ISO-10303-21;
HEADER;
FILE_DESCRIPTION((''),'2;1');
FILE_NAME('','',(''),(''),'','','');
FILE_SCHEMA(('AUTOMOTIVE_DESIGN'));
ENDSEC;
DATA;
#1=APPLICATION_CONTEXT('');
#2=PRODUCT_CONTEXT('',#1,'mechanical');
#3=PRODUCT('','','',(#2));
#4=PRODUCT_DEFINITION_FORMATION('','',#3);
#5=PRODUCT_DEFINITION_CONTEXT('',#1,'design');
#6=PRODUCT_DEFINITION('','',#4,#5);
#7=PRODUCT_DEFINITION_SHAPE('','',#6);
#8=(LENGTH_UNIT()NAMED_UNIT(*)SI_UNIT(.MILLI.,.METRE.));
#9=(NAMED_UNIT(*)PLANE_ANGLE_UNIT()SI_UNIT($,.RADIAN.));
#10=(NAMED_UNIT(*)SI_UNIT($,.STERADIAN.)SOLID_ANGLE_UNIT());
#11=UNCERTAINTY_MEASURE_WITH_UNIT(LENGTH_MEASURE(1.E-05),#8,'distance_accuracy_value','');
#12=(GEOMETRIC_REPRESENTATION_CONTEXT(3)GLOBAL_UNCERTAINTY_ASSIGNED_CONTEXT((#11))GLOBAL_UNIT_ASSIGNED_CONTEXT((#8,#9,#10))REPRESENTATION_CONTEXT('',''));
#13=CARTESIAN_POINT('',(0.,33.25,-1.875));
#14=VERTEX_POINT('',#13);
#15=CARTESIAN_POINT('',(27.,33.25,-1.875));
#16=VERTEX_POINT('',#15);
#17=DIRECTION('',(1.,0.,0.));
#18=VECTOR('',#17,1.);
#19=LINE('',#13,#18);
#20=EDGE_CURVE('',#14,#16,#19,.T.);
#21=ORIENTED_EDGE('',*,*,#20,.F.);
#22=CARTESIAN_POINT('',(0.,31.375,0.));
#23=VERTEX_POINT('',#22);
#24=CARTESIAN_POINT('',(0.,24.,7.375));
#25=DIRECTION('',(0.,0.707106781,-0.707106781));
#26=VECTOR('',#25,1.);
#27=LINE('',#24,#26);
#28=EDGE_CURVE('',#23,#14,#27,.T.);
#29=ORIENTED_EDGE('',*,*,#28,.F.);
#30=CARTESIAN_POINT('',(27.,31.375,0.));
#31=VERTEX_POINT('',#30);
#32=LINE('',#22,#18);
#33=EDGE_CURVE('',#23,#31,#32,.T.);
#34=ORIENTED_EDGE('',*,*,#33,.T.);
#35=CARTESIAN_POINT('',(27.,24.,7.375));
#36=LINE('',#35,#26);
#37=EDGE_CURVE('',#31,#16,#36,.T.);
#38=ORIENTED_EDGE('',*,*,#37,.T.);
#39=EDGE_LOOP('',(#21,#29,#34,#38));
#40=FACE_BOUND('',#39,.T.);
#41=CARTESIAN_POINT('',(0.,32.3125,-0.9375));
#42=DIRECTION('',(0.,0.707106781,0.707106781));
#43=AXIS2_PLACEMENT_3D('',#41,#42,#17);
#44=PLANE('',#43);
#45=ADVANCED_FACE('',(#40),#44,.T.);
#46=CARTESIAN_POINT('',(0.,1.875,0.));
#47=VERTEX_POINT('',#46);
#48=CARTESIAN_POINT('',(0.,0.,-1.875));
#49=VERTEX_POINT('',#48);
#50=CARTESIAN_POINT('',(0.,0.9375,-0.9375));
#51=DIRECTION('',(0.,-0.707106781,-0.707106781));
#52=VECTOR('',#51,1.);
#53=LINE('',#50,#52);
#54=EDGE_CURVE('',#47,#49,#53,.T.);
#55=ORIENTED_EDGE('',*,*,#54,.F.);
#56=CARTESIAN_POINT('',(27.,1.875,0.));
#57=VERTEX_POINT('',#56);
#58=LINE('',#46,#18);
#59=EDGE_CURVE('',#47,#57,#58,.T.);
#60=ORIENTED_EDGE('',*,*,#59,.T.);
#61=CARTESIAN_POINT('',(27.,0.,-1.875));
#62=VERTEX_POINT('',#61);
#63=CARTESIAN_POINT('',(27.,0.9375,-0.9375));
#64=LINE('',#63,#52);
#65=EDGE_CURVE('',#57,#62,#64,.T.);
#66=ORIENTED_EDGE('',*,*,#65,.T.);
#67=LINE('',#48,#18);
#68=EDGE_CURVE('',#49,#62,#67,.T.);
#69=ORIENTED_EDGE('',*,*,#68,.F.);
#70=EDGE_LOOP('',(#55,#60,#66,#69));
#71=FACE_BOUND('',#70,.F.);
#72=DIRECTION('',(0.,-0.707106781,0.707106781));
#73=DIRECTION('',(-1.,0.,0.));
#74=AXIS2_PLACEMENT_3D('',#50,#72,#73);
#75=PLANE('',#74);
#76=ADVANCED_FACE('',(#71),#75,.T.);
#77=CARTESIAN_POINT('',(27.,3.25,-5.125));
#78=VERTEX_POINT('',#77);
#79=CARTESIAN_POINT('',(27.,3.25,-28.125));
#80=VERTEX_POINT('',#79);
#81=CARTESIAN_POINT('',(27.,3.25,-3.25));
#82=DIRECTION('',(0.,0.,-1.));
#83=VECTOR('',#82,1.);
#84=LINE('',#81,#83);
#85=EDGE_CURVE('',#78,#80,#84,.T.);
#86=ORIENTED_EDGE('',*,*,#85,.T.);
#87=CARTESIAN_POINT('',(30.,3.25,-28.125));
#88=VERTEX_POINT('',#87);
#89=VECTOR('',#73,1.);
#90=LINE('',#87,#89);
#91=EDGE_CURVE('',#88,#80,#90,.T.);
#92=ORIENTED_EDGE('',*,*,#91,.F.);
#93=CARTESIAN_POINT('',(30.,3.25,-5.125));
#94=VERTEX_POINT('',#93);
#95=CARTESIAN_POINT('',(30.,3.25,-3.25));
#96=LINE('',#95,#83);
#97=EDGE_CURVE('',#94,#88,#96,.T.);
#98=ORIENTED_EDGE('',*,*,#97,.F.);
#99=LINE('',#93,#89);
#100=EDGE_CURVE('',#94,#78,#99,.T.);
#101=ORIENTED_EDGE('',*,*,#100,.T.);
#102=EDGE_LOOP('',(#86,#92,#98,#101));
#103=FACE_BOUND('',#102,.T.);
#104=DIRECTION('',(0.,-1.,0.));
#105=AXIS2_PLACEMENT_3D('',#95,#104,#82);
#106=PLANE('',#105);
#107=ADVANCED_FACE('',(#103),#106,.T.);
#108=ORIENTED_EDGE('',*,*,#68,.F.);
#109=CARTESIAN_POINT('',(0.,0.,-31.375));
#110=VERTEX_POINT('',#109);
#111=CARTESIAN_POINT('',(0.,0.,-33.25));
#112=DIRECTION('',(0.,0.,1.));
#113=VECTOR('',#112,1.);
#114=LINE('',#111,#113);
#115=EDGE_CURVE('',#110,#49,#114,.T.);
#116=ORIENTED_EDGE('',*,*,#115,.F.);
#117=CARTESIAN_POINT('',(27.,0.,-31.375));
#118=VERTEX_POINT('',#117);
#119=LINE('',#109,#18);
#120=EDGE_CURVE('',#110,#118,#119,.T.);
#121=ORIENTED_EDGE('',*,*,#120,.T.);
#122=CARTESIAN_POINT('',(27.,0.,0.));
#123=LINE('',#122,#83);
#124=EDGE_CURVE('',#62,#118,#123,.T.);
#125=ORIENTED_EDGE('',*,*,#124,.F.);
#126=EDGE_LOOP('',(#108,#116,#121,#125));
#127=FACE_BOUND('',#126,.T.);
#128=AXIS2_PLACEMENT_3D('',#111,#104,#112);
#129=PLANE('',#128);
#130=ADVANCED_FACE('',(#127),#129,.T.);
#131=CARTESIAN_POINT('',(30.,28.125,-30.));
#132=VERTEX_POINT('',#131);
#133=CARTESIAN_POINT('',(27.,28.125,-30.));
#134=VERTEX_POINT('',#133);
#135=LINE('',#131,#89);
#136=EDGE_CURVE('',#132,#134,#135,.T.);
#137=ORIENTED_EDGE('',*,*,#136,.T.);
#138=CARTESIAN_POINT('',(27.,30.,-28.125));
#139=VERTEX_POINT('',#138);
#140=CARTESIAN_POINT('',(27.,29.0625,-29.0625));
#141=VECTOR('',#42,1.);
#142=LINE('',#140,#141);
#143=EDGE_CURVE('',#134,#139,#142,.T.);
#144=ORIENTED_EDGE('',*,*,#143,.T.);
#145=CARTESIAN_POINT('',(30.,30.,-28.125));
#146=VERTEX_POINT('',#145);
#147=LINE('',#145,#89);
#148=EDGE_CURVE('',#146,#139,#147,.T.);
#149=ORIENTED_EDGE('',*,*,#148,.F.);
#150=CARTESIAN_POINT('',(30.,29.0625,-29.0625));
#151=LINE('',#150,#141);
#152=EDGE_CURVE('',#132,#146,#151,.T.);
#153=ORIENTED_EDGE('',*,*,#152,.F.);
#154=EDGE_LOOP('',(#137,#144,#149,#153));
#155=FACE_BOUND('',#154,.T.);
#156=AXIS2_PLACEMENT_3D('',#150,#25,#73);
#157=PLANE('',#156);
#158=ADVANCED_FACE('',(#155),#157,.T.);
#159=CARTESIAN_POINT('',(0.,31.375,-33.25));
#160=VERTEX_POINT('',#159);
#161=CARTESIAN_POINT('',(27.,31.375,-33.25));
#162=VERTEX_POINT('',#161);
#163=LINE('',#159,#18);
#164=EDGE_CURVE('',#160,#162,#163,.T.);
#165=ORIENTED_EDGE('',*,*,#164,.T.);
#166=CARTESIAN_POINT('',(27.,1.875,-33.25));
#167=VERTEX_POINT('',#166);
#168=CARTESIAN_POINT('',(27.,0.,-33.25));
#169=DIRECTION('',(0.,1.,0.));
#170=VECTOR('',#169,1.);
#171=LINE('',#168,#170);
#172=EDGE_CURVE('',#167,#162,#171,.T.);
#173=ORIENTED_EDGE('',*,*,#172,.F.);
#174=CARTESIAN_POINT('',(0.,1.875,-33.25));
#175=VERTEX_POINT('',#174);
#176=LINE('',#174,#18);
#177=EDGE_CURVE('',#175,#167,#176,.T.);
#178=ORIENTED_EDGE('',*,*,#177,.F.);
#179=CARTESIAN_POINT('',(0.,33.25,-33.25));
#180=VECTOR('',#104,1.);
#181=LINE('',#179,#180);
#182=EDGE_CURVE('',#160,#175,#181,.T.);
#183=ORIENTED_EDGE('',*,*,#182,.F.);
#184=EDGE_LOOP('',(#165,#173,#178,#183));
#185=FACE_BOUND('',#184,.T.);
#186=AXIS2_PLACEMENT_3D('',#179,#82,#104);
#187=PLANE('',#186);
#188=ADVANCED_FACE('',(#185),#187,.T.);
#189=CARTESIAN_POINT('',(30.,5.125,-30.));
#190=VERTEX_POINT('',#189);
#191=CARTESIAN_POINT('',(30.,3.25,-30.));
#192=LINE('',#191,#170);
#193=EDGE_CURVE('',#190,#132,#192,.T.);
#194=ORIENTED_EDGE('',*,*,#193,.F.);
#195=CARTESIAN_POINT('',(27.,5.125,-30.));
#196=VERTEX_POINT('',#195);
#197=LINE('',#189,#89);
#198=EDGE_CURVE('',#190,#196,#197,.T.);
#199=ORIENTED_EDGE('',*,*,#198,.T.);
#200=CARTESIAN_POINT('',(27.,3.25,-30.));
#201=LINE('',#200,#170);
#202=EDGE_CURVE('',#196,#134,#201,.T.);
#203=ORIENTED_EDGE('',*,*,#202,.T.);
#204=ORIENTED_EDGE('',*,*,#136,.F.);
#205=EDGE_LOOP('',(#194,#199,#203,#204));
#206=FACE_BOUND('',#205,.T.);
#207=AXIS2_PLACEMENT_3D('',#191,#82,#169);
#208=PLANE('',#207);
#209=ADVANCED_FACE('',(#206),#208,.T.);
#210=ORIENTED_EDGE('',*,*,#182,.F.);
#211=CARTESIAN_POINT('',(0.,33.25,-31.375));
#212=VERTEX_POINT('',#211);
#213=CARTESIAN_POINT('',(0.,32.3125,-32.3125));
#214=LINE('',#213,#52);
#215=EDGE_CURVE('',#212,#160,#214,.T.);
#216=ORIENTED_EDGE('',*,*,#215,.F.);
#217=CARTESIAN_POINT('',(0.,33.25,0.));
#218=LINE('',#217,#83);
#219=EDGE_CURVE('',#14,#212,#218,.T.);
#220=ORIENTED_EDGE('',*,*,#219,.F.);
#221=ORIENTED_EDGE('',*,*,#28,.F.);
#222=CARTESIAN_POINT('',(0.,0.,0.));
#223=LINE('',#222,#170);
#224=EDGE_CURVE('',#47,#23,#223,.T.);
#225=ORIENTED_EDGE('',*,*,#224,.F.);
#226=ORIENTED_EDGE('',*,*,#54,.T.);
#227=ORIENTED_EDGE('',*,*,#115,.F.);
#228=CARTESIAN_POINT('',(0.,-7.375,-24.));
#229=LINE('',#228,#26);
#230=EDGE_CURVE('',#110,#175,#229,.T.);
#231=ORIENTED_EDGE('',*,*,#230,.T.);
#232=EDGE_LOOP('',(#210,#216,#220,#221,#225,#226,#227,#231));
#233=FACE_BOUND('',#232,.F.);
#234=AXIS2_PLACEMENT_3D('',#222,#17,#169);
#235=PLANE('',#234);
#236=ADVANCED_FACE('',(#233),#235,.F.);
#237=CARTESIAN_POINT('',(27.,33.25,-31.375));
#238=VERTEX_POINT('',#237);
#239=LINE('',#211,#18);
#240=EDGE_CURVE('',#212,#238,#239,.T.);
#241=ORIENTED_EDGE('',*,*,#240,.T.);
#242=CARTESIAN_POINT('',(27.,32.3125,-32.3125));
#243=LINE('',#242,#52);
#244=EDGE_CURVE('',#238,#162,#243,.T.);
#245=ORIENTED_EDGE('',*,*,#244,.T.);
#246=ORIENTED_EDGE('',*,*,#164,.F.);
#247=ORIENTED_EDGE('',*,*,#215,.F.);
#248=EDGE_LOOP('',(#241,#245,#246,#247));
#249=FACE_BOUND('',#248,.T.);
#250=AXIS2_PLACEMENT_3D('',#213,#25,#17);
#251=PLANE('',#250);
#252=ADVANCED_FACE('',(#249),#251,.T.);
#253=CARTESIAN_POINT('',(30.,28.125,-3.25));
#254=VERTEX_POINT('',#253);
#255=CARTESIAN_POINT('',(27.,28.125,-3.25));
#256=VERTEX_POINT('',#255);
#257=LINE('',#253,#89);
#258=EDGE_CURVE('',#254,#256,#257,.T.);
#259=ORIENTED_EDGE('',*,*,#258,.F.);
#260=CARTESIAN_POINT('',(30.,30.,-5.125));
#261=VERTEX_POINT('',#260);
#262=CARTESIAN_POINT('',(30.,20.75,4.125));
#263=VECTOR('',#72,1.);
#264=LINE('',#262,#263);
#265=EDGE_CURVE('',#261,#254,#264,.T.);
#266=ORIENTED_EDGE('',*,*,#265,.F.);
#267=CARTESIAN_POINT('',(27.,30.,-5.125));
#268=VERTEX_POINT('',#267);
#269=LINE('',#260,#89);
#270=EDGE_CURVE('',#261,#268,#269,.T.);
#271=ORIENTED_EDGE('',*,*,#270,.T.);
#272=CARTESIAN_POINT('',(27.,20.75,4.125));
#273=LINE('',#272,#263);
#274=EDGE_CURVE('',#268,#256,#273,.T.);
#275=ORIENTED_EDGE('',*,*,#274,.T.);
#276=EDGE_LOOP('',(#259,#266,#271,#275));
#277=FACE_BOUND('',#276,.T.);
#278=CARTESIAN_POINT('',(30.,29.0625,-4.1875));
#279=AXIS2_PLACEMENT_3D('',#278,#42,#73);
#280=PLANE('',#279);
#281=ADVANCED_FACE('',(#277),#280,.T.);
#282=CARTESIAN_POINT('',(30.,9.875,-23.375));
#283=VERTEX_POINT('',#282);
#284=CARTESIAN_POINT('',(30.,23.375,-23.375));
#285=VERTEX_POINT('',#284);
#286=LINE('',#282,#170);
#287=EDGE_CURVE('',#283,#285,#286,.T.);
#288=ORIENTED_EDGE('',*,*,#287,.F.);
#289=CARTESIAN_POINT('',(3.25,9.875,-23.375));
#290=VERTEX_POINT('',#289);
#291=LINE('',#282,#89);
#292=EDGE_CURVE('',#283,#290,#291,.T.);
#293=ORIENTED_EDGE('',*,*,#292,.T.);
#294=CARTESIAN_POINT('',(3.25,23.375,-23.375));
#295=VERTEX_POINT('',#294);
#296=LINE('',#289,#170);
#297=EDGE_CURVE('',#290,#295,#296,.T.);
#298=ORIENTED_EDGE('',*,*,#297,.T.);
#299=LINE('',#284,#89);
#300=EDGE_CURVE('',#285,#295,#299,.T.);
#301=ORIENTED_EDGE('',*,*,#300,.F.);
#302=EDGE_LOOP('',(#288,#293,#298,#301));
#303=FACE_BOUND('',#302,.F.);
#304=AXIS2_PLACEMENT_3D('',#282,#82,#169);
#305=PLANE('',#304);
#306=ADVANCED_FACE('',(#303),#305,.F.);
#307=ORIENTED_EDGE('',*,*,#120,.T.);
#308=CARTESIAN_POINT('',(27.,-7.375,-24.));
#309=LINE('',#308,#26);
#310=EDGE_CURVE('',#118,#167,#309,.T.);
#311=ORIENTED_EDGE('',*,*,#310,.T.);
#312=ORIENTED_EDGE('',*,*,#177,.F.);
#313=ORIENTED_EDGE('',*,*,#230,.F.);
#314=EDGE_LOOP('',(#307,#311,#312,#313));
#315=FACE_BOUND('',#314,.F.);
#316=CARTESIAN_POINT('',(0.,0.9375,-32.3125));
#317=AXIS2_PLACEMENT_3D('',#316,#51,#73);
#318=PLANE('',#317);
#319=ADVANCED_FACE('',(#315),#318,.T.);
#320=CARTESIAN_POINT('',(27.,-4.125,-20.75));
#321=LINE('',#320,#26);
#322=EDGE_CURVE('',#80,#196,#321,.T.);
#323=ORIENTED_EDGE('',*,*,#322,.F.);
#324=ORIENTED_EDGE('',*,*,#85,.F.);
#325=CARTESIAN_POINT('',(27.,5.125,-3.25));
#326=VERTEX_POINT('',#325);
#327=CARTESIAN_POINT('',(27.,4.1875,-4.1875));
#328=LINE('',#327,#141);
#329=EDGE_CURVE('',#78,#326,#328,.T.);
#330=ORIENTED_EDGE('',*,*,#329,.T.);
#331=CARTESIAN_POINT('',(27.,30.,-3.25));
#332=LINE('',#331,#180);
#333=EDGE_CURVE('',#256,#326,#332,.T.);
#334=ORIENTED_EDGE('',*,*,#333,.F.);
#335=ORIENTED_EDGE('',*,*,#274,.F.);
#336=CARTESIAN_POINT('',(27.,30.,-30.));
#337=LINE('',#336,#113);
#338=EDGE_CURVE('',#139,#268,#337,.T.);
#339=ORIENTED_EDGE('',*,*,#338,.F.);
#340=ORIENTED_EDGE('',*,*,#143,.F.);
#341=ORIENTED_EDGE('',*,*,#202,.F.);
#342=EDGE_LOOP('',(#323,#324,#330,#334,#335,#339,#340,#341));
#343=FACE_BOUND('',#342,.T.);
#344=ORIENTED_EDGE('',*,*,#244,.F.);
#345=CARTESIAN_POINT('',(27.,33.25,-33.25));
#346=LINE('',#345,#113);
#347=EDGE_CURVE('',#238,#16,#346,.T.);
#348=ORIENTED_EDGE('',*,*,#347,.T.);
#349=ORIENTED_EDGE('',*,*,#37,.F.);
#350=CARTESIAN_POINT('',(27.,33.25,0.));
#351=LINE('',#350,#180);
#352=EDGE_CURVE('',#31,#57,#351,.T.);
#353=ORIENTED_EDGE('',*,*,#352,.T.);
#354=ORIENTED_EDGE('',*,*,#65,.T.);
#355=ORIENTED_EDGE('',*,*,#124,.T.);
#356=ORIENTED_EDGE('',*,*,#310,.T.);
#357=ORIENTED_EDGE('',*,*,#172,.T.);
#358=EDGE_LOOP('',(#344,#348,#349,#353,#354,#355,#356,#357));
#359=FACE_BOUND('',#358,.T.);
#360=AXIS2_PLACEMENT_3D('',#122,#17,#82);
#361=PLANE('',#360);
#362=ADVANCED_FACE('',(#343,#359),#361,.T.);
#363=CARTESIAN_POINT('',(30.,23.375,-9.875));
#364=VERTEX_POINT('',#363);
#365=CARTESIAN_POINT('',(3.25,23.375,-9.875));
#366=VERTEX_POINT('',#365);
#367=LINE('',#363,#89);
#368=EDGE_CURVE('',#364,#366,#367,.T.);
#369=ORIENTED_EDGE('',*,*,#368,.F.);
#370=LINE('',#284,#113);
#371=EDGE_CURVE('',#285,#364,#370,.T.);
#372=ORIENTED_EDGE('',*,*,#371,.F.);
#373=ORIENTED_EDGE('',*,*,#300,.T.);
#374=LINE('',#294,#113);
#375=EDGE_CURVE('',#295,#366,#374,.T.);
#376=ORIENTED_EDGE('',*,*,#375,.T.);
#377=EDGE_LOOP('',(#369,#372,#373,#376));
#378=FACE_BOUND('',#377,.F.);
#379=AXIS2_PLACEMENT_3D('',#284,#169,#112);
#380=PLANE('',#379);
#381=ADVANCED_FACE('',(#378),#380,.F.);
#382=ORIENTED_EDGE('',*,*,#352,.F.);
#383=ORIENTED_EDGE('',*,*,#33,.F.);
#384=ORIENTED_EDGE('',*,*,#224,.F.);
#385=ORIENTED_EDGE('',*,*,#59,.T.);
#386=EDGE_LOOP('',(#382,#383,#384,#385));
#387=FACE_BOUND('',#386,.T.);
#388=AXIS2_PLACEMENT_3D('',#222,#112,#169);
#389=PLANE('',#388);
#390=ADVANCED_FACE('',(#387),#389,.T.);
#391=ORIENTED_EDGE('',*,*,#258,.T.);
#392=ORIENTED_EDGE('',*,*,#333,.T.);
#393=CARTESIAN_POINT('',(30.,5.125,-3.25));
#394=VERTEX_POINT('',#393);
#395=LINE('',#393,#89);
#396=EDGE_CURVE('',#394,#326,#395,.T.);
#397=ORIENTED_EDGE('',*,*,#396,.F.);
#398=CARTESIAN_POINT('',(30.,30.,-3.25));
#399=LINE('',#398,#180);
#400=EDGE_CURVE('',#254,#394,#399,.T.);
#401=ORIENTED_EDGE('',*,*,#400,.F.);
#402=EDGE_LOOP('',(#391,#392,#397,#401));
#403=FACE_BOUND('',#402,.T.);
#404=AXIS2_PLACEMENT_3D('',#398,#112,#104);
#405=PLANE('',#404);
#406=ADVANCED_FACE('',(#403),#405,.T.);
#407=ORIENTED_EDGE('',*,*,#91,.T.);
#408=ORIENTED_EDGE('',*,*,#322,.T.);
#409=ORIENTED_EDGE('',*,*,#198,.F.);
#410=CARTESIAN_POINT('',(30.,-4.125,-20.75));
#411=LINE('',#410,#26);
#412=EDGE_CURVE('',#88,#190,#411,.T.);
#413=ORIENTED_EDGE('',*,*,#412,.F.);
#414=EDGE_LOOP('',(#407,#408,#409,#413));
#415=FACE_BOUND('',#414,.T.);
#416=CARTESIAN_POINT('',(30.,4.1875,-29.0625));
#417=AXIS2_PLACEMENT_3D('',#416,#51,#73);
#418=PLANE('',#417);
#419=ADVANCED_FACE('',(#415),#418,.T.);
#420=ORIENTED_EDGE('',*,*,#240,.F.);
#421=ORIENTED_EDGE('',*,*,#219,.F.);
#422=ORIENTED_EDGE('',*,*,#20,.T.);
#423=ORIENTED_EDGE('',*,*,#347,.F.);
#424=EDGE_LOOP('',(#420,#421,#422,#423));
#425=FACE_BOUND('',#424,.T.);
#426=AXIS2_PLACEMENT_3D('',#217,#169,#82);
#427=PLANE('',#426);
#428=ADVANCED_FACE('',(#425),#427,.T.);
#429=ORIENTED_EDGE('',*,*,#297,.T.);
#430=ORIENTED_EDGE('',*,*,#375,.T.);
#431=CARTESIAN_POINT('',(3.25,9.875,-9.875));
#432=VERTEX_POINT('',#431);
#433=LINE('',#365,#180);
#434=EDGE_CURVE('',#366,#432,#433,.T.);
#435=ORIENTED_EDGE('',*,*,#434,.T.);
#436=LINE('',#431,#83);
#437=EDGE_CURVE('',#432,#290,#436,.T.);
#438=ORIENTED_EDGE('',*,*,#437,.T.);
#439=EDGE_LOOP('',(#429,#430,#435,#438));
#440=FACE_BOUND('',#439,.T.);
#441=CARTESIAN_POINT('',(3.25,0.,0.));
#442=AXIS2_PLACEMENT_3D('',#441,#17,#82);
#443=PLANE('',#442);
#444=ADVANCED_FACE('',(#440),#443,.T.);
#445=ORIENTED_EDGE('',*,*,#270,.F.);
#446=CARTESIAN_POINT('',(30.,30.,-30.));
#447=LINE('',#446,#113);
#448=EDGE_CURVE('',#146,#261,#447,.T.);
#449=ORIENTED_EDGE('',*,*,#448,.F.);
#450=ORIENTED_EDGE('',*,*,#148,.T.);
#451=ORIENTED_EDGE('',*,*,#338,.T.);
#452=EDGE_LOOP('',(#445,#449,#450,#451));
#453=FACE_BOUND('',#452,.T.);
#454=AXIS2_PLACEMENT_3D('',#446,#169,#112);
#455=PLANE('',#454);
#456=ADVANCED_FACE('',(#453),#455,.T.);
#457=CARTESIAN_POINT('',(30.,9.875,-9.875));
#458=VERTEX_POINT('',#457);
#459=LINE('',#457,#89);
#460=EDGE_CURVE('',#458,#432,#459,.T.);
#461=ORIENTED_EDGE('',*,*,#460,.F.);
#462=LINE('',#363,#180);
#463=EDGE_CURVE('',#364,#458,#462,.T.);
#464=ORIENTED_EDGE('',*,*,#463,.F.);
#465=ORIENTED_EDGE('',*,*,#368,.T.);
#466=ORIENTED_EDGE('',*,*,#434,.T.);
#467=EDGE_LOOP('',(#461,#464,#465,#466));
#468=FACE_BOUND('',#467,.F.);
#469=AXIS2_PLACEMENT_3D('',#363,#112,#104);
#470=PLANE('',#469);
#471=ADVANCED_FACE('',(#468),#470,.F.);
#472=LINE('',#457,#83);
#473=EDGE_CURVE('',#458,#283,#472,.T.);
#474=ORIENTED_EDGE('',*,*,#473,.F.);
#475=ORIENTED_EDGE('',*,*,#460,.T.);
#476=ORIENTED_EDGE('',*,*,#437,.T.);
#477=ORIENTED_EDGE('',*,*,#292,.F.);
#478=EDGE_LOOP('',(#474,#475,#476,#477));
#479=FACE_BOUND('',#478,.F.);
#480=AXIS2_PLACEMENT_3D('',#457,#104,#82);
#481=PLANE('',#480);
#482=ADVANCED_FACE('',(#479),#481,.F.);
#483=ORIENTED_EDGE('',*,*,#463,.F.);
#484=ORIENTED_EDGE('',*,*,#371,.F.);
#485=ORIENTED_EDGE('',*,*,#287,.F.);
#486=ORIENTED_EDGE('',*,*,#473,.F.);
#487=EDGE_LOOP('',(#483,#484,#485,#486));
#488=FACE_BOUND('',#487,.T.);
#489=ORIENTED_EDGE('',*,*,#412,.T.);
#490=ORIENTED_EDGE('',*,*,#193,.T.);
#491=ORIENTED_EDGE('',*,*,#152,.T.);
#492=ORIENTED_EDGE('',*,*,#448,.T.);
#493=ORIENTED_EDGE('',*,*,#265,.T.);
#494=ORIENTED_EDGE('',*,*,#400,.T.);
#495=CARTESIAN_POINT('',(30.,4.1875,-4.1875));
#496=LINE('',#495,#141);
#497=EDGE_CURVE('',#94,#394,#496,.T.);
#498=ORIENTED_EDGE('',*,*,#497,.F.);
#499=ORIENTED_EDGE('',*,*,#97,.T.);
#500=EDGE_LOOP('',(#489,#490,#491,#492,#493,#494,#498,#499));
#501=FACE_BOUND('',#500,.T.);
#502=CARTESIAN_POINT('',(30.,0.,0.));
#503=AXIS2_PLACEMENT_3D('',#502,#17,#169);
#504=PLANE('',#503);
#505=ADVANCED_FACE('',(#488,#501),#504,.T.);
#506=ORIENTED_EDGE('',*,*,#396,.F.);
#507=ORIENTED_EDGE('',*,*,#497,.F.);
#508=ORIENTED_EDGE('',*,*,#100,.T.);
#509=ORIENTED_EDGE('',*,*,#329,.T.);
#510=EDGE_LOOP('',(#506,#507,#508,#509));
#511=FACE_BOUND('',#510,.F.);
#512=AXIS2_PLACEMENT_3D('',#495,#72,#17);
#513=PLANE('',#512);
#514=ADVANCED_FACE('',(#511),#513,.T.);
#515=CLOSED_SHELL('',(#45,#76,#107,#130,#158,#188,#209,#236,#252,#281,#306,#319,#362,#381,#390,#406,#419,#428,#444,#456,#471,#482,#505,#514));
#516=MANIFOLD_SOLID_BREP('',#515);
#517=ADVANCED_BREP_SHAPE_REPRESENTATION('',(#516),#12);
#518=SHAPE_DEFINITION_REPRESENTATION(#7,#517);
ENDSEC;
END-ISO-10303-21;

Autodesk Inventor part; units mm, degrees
ref_plane "YZ Plane" through (0, 0, 0) normal (1, 0, 0) x (0, 1, 0)
ref_plane "XZ Plane" through (0, 0, 0) normal (0, 1, 0) x (-1, 0, 0)
ref_plane "XY Plane" through (0, 0, 0) normal (0, 0, 1) x (1, 0, 0)
sketch "Sketch1" plane through (0, 0, 0) normal (1, 0, 0) x (0, 1, 0)
  line L0 (0, 0) -> (33.25, 0)
  line L1 (33.25, 0) -> (33.25, -33.25)
  line L2 (33.25, -33.25) -> (0, -33.25)
  line L3 (0, -33.25) -> (0, 0)
  dimension "d0" = 33.25
  dimension "d1" = 33.25
extrude "Extrusion1" add sketch "Sketch1" along normal blind 30
sketch "Sketch2" plane through (30, 0, 0) normal (1, 0, 0) x (0, 0, -1)
  line L0 (3.25, 3.25) -> (30, 3.25)
  line L1 (30, 3.25) -> (30, 30)
  line L2 (30, 30) -> (3.25, 30)
  line L3 (3.25, 30) -> (3.25, 3.25)
  point P0 (0, 0)
  dimension "d4" = 26.75
  dimension "d5" = 26.75
sketch "Sketch3" plane through (30, 0, 0) normal (1, 0, 0) x (0, 0, -1)
  line L0 (33.25, 0) -> (33.25, 33.25) projected
  line L1 (0, 0) -> (33.25, 0)
  line L2 (33.25, 0) -> (33.25, 33.25)
  line L3 (33.25, 33.25) -> (0, 33.25)
  line L4 (0, 33.25) -> (0, 0)
sketch "Sketch4" plane through (30, 0, 0) normal (1, 0, 0) x (0, 0, -1)
  line L0 (3.25, 3.25) -> (30, 3.25)
  line L1 (30, 3.25) -> (30, 30)
  line L2 (30, 30) -> (3.25, 30)
  line L3 (3.25, 30) -> (3.25, 3.25)
  line L4 (0, 33.25) -> (0, 0) projected
  line L5 (33.25, 0) -> (33.25, 33.25) projected
  line L6 (0, 0) -> (33.25, 0)
  line L7 (33.25, 0) -> (33.25, 33.25)
  line L8 (33.25, 33.25) -> (0, 33.25)
  line L9 (0, 33.25) -> (0, 0)
  dimension "d6" = 26.75
  dimension "d7" = 26.75
extrude "Extrusion2" cut sketch "Sketch4" against normal blind 3
chamfer "Chamfer1" distance 1.875 angle 45 8 edges at (13.5, 33.25, 0) (13.5, 33.25, -33.25) (28.5, 30, -3.25) (28.5, 30, -30) (28.5, 3.25, -3.25) (13.5, 0, 0) (28.5, 3.25, -30) (13.5, 0, -33.25)
sketch "Sketch5" plane through (30, 0, 0) normal (1, 0, 0) x (0, 0, -1)
  line L0 (9.875, 9.875) -> (23.375, 9.875)
  line L1 (23.375, 9.875) -> (23.375, 23.375)
  line L2 (23.375, 23.375) -> (9.875, 23.375)
  line L3 (9.875, 23.375) -> (9.875, 9.875)
  line L4 (28.125, 30) -> (5.125, 30) projected
  line L5 (30, 5.125) -> (30, 28.125) projected
  line L6 (3.25, 3.25) -> (30, 3.25)
  line L7 (30, 3.25) -> (30, 30)
  line L8 (30, 30) -> (3.25, 30)
  line L9 (3.25, 30) -> (3.25, 3.25)
  point P0 (0, 0)
  dimension "d13" = 13.5
  dimension "d14" = 13.5
  dimension "d15" = 6.625
  dimension "d16" = 6.625
extrude "Extrusion3" cut sketch "Sketch5" against normal blind 26.75 contours L3 L2 L1 L0
sketch "Sketch6" plane through (0, 1.875, 0) normal (0, 0, 1) x (1, 0, 0)
  point P0 (0, -1.875)
properties part number "cuvette holder block"
